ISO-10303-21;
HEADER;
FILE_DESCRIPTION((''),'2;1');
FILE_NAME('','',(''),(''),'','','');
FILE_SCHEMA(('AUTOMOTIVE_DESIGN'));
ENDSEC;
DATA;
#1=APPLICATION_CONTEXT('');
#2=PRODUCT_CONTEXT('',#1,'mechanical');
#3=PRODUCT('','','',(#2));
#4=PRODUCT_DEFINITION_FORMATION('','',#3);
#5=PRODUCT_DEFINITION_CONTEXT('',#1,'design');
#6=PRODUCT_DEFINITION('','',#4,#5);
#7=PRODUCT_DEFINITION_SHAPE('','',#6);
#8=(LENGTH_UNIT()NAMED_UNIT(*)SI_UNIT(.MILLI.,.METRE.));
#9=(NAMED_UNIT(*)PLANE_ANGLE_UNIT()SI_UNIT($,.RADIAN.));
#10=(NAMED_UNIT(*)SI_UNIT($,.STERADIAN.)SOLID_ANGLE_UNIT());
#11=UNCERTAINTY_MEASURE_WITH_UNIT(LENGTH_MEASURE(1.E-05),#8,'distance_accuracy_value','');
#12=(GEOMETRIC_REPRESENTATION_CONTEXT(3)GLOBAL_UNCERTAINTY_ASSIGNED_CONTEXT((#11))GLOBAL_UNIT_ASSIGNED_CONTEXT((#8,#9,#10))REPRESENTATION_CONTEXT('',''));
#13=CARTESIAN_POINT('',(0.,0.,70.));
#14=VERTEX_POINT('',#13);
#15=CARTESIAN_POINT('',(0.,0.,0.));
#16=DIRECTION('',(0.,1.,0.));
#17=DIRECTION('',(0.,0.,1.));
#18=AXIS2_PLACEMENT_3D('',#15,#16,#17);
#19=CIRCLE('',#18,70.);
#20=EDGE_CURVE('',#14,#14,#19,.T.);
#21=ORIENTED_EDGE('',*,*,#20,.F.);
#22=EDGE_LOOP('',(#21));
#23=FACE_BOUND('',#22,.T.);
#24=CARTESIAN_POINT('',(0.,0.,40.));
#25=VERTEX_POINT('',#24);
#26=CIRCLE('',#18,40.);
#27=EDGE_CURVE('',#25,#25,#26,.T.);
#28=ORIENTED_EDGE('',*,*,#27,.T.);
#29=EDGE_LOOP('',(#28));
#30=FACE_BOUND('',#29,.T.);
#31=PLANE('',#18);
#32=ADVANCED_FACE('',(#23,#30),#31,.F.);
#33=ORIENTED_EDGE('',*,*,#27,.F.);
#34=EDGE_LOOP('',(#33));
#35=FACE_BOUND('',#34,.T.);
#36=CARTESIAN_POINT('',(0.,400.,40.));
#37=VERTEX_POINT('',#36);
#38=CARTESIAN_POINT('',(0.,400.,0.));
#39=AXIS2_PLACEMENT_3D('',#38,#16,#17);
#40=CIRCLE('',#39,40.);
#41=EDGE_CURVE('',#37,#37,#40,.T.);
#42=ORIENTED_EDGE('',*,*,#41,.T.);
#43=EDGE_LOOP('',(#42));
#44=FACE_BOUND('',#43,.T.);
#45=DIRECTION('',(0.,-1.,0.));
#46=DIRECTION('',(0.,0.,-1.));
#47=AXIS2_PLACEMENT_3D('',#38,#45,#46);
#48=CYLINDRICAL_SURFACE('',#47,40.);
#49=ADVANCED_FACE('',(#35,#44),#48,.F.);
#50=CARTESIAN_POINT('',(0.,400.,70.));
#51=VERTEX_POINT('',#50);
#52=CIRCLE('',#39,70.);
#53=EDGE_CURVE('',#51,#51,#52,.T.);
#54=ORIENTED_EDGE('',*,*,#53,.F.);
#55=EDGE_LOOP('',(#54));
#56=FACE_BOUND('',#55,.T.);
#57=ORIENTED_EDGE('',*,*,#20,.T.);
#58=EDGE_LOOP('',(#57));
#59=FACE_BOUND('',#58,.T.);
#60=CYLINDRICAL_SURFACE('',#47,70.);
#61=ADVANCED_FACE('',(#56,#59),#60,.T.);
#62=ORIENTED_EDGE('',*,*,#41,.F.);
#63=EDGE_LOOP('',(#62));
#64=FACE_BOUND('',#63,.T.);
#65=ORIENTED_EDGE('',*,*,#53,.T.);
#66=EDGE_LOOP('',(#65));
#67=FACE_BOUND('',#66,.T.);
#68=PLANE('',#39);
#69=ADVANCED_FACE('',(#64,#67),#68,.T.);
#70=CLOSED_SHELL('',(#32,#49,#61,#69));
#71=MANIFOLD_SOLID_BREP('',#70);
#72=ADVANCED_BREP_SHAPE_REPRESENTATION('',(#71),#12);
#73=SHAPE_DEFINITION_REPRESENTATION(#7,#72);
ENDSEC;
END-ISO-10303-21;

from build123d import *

# Parameters (mm, degrees)
SKETCH1_R           = 70
SKETCH1_R_2         = 40
BOSS_EXTRUDE1_DEPTH = 400


with BuildPart() as part:
    # Sketch1 → Boss-Extrude1 (new body)
    with BuildSketch(Plane(origin=(0, 0, 0), x_dir=(1, 0, 0), z_dir=(0, 1, 0))):
        Circle(SKETCH1_R)
        Circle(SKETCH1_R_2, mode=Mode.SUBTRACT)
    extrude(amount=BOSS_EXTRUDE1_DEPTH)


solid = part.part
